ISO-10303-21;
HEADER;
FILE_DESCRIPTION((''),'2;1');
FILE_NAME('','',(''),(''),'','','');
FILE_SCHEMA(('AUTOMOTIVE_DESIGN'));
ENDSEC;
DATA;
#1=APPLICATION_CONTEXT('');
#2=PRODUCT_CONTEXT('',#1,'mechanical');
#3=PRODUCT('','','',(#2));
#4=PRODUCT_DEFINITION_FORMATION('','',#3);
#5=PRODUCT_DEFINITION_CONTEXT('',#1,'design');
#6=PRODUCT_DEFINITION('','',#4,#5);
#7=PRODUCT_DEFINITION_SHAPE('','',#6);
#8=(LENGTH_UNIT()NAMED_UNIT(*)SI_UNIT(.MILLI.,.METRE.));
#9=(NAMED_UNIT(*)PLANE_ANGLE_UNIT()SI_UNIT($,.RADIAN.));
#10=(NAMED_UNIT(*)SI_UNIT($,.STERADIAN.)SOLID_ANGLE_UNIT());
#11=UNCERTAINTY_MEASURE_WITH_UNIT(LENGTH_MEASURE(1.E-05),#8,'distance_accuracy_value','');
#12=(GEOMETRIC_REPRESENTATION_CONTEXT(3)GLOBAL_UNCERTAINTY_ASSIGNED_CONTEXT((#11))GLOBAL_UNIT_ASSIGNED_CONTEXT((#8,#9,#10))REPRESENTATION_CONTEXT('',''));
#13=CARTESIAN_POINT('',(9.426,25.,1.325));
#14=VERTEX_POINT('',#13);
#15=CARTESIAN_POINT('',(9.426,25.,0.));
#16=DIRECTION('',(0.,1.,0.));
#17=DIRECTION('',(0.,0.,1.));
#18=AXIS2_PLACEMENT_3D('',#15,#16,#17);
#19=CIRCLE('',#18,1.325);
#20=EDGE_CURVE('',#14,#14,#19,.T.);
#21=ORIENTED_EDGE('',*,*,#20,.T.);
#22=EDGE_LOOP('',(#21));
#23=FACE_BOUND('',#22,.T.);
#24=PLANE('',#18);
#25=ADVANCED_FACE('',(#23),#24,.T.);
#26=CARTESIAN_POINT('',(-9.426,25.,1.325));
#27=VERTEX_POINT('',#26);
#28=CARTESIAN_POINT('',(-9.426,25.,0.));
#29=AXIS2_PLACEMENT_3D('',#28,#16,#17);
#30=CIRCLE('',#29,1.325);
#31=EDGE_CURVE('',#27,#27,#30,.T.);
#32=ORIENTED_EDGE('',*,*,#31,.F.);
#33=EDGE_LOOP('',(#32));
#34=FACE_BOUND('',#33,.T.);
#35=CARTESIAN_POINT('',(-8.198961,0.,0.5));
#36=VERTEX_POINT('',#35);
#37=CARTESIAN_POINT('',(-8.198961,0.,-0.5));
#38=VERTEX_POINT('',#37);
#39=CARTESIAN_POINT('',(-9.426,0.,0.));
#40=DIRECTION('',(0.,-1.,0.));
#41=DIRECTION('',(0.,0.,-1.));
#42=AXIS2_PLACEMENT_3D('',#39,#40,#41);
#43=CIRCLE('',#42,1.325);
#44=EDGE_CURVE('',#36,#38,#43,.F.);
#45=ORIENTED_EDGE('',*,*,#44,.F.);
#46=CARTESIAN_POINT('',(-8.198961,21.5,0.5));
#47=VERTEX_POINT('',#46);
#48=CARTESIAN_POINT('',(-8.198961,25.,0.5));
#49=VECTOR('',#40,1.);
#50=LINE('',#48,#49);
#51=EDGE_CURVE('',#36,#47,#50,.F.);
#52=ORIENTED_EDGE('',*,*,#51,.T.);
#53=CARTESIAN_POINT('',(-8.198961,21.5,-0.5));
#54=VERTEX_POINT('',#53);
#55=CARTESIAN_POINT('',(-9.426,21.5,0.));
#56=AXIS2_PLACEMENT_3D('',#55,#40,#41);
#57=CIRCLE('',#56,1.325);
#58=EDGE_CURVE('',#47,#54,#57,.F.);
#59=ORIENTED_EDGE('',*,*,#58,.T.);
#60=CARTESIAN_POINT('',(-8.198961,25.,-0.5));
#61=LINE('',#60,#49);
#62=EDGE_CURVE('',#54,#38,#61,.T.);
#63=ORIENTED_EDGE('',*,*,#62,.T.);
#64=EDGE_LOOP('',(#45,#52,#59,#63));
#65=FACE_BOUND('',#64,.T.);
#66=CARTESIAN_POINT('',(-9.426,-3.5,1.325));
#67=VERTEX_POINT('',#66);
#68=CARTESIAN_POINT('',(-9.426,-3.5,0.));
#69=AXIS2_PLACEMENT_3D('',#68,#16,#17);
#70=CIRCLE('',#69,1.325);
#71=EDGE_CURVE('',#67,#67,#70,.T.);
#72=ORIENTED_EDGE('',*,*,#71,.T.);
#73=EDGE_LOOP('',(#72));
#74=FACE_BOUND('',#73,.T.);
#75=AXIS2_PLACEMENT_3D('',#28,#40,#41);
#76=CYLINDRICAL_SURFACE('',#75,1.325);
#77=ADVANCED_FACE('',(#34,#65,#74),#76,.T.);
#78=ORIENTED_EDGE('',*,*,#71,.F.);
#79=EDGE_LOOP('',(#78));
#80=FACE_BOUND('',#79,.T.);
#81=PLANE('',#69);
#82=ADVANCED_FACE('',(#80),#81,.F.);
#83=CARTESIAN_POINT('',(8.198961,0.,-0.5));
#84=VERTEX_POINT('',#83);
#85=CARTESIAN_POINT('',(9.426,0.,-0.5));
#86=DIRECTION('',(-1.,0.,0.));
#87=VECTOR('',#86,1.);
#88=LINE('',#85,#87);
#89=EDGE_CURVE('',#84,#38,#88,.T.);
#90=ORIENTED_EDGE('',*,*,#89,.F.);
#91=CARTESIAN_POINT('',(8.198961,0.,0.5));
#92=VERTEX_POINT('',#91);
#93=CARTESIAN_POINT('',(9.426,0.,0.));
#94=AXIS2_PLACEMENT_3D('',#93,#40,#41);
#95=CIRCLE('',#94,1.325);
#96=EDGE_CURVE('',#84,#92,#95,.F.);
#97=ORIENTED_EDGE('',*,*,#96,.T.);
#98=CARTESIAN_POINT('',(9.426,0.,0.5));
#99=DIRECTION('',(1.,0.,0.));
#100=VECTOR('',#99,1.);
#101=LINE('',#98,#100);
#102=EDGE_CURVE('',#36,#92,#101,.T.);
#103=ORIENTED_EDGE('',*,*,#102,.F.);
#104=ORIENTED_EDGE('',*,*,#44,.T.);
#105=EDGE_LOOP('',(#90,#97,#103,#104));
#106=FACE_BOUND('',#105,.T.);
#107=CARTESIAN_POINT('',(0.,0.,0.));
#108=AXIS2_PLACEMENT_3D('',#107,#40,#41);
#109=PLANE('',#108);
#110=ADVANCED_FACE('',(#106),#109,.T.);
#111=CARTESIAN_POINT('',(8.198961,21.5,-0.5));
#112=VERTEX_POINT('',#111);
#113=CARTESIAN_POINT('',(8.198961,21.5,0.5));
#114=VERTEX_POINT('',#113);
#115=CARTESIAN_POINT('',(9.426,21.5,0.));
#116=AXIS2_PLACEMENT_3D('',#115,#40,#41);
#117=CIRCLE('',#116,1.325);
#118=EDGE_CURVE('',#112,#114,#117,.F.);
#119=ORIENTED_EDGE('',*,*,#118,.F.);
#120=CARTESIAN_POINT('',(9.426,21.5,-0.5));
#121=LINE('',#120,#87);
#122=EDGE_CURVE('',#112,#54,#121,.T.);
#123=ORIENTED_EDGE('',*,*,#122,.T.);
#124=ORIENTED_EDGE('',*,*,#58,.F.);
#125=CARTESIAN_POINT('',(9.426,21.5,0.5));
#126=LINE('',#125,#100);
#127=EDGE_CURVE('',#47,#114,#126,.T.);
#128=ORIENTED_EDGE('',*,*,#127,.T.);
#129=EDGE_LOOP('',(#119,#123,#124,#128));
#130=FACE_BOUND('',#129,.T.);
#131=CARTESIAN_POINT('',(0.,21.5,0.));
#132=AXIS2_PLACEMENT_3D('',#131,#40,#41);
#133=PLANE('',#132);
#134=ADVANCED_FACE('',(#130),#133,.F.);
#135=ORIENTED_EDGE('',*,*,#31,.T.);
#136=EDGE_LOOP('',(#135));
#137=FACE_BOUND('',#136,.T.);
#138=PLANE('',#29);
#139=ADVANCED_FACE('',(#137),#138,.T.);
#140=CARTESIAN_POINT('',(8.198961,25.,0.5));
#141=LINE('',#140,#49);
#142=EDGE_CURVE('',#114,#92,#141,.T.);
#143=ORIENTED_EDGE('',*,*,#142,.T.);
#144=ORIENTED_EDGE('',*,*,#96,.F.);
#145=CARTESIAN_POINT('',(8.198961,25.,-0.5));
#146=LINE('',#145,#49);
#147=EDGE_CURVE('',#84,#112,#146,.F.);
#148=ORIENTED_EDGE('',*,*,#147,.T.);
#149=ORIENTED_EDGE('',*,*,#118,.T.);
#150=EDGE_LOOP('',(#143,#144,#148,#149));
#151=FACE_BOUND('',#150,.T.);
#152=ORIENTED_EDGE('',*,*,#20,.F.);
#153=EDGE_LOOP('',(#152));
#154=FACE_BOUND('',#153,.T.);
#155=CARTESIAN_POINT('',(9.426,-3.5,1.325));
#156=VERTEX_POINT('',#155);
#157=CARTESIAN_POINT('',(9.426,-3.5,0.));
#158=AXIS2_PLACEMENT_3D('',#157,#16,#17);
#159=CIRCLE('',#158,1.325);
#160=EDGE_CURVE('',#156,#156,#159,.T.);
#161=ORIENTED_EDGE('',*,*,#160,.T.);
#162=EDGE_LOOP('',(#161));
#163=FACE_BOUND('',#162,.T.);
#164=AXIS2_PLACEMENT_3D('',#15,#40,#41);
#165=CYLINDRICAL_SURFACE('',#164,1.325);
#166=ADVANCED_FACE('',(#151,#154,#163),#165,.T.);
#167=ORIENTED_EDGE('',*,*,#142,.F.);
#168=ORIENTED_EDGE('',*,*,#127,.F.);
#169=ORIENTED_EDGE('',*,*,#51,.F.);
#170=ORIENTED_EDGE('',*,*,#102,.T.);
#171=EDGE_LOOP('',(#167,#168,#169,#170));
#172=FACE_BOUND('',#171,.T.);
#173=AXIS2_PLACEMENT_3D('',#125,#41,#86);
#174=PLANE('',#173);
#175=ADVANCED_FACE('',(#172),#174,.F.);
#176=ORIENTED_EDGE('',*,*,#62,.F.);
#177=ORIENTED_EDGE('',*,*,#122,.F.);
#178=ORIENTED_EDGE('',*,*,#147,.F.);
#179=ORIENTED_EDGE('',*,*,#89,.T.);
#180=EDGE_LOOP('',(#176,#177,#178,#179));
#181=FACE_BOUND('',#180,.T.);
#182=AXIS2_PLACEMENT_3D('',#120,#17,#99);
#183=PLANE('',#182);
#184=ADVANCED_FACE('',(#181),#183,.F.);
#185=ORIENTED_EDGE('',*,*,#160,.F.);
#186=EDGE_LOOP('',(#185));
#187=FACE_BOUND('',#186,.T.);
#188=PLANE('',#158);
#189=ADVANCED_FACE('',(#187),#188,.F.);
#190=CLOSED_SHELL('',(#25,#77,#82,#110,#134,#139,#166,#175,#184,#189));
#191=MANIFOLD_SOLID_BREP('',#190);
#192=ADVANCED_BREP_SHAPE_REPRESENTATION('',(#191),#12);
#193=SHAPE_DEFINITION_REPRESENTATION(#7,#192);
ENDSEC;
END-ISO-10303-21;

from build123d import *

# Parameters (mm, degrees)
SKETCH1_W           = 18.852
SKETCH1_H           = 1
BOSS_EXTRUDE1_DEPTH = 21.5
SKETCH2_R           = 1.325
BOSS_EXTRUDE2_DEPTH = 14.25


with BuildPart() as part:
    # Sketch1 → Boss-Extrude1 (new body)
    with BuildSketch(Plane(origin=(0, 0, 0), x_dir=(1, 0, 0), z_dir=(0, 1, 0))):
        Rectangle(SKETCH1_W, SKETCH1_H)
    extrude(amount=BOSS_EXTRUDE1_DEPTH)

    # Sketch2 → Boss-Extrude2 (add, symmetric)
    with BuildSketch(Plane(origin=(0, 10.75, 0), x_dir=(1, 0, 0), z_dir=(0, 1, 0))):
        with Locations(Location((-9.426, 0, 0), (0, 0, 270))):
            Circle(SKETCH2_R)
        with Locations(Location((9.426, 0, 0), (0, 0, 270))):
            Circle(SKETCH2_R)
    extrude(amount=BOSS_EXTRUDE2_DEPTH, both=True)


solid = part.part
